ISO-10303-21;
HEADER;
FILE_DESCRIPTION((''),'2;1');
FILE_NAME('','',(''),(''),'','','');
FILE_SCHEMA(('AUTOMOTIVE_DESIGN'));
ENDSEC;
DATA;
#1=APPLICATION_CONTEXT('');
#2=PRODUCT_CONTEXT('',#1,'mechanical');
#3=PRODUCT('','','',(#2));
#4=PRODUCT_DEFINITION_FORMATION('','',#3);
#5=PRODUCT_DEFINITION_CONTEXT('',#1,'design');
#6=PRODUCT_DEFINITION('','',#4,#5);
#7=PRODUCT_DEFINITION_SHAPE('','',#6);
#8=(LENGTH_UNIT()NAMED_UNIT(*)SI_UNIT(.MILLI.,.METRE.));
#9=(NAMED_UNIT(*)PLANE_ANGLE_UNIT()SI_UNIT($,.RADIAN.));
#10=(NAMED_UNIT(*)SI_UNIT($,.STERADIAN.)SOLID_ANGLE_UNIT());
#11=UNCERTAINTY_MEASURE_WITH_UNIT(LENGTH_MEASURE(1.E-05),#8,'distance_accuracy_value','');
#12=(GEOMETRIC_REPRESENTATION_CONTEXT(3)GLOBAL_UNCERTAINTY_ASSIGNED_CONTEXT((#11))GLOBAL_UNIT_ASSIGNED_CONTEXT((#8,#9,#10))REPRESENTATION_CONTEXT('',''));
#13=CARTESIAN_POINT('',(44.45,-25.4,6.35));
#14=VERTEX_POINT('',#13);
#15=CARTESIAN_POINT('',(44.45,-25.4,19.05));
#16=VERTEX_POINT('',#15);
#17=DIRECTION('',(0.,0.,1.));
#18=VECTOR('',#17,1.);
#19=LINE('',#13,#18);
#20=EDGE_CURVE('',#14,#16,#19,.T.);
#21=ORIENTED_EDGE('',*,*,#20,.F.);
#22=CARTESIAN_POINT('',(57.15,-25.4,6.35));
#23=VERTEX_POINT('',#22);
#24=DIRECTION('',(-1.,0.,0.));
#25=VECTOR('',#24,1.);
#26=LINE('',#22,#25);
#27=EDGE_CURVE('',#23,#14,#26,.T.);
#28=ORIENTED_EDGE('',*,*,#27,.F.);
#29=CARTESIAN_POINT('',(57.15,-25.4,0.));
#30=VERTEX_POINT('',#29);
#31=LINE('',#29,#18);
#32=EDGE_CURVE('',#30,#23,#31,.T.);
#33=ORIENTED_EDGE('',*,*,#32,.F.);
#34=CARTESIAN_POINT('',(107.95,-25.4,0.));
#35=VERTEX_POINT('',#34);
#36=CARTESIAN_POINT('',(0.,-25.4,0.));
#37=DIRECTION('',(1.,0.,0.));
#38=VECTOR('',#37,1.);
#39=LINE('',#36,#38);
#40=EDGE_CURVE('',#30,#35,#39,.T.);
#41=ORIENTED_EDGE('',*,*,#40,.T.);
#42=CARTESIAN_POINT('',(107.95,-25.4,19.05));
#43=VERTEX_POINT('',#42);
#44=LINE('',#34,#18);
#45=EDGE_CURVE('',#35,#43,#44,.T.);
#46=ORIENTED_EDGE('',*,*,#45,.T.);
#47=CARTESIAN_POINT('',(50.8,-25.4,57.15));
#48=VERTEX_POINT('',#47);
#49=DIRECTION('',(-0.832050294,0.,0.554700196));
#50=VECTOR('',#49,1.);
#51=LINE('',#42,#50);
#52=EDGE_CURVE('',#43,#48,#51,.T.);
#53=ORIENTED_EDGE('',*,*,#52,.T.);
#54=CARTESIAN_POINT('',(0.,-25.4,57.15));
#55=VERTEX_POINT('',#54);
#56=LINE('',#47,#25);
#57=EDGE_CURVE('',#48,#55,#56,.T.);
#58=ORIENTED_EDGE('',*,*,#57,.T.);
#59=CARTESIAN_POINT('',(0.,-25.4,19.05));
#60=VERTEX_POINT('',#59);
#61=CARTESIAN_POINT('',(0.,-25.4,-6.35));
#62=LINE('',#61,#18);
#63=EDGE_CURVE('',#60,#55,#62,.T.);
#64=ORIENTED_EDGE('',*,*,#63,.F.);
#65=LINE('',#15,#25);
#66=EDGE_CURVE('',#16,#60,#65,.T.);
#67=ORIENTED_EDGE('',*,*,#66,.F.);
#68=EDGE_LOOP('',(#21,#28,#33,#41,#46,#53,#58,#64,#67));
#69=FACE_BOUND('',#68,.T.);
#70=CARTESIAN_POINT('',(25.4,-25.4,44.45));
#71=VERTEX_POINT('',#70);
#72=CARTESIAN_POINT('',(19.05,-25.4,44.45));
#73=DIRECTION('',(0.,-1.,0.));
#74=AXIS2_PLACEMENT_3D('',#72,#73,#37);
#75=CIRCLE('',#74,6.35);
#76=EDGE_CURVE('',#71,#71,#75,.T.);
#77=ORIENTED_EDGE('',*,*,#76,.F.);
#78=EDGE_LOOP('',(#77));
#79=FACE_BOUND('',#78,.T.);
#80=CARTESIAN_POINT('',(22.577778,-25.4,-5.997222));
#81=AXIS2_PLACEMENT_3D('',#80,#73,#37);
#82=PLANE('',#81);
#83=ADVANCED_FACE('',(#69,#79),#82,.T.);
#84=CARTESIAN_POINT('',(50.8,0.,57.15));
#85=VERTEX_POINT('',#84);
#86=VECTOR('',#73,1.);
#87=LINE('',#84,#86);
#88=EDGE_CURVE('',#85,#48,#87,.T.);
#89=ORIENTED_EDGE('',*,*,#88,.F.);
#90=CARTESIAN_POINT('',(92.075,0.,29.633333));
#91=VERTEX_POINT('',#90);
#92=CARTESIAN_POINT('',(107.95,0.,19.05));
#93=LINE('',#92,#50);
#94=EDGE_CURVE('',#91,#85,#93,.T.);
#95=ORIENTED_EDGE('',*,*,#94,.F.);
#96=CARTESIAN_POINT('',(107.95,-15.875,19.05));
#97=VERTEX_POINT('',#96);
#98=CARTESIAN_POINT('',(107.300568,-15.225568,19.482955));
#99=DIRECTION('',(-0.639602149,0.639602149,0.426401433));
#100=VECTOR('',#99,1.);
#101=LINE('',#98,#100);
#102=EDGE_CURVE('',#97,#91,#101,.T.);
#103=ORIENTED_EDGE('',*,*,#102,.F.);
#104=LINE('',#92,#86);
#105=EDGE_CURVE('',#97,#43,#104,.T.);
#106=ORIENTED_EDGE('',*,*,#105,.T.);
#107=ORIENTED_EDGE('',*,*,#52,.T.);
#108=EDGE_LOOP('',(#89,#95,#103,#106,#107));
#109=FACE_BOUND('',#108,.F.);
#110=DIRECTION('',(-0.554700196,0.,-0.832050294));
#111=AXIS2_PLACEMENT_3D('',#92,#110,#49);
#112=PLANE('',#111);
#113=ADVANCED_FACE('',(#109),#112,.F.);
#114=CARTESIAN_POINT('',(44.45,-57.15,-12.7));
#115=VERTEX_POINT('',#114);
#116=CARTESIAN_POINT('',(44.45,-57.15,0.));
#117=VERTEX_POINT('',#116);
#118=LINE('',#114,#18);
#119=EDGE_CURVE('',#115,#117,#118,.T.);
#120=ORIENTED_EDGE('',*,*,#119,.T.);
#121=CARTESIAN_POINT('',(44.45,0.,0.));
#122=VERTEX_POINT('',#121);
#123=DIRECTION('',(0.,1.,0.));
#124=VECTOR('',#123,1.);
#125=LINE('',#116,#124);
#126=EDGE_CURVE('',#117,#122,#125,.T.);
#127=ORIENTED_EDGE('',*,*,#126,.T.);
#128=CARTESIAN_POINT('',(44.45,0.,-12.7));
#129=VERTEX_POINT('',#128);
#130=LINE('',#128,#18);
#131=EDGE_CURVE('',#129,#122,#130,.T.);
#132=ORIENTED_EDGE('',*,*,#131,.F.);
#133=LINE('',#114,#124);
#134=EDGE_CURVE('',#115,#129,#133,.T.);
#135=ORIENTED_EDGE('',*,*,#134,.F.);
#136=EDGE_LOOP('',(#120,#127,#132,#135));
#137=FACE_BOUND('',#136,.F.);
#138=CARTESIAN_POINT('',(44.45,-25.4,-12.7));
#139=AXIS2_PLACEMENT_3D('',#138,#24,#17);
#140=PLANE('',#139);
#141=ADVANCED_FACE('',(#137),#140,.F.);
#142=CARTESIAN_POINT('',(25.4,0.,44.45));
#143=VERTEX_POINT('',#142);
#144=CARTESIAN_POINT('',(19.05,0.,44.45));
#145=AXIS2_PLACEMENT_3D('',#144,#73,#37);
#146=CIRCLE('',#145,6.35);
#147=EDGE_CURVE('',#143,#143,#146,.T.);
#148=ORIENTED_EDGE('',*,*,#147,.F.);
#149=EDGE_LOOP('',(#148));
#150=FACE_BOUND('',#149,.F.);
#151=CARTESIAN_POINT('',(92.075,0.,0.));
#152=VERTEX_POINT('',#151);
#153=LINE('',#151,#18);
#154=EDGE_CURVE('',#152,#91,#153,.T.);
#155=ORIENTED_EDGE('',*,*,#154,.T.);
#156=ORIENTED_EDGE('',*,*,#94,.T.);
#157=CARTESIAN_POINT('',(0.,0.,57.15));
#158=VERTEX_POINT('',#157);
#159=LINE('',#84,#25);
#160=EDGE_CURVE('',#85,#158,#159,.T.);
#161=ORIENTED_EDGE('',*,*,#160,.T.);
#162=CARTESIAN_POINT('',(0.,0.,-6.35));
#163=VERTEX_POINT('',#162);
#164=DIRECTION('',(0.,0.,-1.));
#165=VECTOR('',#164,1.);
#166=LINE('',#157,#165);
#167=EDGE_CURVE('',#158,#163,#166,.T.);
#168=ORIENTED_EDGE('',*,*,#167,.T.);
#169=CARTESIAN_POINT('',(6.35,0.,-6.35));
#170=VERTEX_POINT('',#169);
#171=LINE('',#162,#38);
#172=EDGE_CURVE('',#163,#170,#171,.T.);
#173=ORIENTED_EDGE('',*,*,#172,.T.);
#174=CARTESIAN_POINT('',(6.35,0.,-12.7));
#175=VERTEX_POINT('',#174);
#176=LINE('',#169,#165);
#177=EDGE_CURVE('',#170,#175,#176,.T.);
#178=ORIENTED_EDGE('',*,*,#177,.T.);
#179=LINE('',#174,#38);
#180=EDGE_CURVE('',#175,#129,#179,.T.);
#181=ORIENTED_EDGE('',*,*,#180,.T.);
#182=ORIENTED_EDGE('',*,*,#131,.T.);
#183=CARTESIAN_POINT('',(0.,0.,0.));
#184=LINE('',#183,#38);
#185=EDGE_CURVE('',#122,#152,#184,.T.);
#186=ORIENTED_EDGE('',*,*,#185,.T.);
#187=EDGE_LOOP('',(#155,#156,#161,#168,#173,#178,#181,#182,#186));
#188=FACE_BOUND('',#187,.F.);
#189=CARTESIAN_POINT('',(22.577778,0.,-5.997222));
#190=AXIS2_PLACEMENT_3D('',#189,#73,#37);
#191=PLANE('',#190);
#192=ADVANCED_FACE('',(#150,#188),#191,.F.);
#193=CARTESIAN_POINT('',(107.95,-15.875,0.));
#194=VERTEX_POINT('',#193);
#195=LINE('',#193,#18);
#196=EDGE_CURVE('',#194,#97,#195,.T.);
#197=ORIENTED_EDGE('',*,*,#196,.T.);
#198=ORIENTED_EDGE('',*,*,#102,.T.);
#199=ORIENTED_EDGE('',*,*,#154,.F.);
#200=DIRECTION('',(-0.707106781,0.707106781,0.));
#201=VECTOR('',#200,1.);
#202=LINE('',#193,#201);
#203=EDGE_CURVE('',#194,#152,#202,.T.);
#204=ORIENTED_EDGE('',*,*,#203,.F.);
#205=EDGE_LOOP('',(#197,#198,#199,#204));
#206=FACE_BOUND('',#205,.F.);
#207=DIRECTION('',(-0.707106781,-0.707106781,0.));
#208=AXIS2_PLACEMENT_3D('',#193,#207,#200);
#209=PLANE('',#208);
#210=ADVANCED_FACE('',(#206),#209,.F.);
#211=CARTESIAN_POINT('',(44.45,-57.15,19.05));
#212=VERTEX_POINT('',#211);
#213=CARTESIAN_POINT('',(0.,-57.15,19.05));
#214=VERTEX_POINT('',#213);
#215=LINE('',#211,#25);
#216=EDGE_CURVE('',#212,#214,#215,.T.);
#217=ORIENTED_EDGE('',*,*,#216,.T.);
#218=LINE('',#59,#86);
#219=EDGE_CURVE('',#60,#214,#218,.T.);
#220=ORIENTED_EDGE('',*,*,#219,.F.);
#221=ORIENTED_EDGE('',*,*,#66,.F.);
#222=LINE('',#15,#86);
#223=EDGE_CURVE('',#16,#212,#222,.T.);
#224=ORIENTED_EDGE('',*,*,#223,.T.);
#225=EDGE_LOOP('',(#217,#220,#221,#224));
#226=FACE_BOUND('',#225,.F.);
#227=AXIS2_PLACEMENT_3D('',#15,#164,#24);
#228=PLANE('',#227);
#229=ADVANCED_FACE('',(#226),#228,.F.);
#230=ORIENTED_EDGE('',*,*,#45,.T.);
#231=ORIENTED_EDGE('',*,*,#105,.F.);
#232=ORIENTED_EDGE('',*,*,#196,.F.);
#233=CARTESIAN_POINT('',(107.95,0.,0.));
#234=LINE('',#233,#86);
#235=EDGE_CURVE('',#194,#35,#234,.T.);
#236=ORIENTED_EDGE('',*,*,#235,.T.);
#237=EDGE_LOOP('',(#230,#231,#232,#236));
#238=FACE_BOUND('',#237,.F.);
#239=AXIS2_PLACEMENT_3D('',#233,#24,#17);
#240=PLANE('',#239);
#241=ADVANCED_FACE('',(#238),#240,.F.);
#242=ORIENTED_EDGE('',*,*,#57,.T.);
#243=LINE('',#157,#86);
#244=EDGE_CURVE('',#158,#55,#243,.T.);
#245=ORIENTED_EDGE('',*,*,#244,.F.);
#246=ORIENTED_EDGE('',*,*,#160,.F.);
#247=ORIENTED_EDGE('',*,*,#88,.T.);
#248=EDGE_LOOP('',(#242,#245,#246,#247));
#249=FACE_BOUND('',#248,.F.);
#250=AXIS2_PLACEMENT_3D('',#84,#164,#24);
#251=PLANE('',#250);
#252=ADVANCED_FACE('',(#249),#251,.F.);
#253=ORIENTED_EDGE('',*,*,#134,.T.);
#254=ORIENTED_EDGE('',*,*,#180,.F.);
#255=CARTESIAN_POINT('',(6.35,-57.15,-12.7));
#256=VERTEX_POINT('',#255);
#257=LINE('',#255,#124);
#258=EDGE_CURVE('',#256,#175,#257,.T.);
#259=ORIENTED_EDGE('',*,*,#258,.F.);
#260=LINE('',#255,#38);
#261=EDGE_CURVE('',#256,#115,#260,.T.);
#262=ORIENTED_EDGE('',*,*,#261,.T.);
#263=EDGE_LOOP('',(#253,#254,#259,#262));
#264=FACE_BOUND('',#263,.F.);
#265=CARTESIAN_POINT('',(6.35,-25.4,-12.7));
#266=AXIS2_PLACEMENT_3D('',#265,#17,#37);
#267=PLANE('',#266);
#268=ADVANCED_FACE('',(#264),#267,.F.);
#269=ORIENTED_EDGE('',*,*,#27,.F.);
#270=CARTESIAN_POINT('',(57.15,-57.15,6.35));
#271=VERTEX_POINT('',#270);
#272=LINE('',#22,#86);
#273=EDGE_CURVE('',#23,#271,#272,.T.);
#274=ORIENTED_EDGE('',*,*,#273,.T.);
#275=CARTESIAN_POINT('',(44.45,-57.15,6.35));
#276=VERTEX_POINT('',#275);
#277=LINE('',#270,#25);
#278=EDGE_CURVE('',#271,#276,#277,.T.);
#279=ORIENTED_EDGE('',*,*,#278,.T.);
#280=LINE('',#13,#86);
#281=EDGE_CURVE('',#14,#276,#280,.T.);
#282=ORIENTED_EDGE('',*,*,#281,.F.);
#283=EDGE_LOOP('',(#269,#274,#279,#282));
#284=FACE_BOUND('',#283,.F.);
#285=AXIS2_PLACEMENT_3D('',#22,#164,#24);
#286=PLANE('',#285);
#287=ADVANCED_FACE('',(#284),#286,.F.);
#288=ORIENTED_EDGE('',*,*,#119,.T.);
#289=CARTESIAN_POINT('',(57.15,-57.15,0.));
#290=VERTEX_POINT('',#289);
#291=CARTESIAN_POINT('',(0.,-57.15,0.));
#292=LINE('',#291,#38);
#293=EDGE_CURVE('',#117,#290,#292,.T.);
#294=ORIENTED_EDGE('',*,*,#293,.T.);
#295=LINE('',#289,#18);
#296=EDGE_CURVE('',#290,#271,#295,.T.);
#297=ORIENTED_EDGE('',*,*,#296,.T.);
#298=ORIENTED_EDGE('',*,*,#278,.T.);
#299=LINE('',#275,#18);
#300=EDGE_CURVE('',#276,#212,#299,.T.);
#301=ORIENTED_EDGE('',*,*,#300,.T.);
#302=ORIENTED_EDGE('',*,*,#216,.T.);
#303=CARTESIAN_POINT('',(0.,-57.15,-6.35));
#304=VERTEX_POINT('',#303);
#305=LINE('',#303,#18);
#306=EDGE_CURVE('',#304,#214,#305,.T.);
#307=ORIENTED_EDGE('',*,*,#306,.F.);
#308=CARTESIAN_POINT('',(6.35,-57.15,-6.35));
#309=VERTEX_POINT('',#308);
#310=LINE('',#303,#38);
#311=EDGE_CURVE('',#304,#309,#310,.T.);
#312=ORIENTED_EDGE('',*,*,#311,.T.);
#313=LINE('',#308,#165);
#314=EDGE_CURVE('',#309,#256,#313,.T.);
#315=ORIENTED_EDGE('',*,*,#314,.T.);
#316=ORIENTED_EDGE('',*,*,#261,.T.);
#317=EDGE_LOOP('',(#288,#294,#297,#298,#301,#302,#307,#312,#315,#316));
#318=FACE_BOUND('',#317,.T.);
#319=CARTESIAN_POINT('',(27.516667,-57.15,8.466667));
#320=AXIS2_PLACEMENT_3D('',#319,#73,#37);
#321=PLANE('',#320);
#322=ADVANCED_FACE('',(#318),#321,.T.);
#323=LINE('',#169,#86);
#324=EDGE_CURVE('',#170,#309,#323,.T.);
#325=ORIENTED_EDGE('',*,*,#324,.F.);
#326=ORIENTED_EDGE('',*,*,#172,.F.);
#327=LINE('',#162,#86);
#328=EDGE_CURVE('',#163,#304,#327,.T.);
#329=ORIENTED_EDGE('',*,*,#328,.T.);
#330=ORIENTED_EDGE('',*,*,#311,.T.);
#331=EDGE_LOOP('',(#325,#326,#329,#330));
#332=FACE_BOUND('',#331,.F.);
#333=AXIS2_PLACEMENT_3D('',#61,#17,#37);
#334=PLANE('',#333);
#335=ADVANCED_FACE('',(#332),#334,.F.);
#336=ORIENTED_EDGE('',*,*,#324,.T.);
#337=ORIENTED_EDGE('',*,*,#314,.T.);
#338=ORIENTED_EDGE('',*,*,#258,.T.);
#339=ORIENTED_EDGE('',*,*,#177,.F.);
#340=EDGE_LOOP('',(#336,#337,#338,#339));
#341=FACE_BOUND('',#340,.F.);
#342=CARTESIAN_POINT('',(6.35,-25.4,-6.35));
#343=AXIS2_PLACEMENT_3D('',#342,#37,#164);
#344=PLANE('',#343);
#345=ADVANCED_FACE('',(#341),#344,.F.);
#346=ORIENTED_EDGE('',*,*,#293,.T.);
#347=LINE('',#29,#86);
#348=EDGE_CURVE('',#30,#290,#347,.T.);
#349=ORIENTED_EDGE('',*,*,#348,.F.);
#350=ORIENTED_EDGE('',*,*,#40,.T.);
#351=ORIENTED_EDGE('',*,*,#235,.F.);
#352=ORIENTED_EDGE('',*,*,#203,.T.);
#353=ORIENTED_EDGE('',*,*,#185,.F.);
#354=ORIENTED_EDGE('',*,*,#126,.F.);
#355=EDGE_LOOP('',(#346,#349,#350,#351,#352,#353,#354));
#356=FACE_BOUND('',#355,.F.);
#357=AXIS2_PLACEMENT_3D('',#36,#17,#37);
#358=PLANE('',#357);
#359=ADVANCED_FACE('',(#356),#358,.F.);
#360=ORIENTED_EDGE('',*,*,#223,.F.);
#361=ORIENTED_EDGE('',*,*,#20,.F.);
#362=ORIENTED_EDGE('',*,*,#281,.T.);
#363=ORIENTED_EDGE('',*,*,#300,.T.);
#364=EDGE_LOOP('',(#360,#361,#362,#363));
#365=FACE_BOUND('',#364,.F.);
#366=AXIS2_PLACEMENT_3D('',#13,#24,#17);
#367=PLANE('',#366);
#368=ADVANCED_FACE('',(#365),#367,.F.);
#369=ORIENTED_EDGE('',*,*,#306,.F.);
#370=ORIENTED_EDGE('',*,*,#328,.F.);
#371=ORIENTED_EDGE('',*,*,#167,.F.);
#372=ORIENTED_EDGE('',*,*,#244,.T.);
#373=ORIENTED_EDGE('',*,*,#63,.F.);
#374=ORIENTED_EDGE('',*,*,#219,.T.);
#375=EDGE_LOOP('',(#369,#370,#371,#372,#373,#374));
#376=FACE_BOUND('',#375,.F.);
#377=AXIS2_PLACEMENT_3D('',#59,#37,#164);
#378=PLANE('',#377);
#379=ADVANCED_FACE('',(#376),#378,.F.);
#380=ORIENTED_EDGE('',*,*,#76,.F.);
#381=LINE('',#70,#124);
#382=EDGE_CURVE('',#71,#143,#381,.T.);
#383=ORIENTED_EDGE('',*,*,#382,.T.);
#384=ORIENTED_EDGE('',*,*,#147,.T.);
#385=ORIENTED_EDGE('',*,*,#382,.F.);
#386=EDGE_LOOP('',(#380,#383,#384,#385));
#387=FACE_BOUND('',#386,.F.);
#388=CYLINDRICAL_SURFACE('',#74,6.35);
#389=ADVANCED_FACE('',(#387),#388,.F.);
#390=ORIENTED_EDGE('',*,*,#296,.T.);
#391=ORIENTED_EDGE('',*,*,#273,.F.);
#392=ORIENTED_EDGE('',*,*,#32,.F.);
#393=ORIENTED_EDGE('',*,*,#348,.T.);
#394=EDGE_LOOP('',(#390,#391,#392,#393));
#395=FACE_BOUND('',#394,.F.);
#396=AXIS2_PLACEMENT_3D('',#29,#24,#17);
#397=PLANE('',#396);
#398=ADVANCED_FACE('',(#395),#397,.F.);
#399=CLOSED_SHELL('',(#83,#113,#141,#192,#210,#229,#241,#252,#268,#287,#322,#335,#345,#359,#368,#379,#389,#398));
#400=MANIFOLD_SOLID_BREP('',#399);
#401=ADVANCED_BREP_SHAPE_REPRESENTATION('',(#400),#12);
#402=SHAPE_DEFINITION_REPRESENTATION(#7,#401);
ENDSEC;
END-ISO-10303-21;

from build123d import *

# Parameters (mm, degrees)
F1_DEPTH      = 25.4
F3_DEPTH      = 25.4
F3_DEPTH_BACK = 31.75
F4_DEPTH      = 31.75
F5_R          = 6.35
F6_DEPTH      = 25.401
F8_DEPTH      = 57.151


with BuildPart() as f1:
    # F0 (on Front) → F1 (new body)
    with BuildSketch(Plane.XZ):
        Polygon((0, 57.15), (0, 0), (107.95, 0), (107.95, 19.05), (50.8, 57.15), align=None)
    extrude(amount=F1_DEPTH)

    # F2 (on face) → F3 (join, two sides)
    with BuildSketch(Plane.XZ.offset(25.4)) as f3_sk:
        Polygon((44.45, 0), (0, 0), (0, -6.35), (6.35, -6.35), (6.35, -12.7), (44.45, -12.7), align=None)
    extrude(amount=-F3_DEPTH)
    extrude(f3_sk.sketch, amount=F3_DEPTH_BACK)

    # F2 (on face) → F4 (join)
    with BuildSketch(Plane.XZ.offset(25.4)):
        Polygon((0, 19.05), (0, 0), (44.45, 0), (57.15, 0), (57.15, 6.35), (44.45, 6.35), (44.45, 19.05), align=None)
    extrude(amount=F4_DEPTH)

    # F5 (on face) → F6 (cut, through all)
    with BuildSketch(Plane.XZ.offset(25.4)):
        with Locations((19.05, 44.45)):
            Circle(F5_R)
    extrude(amount=-F6_DEPTH, mode=Mode.SUBTRACT)

    # F7 (on face) → F8 (cut, through all)
    with BuildSketch(Plane(origin=(0, 0, 0), x_dir=(1, 0, 0), z_dir=(0, 0, -1))):
        Polygon((107.95, 0), (107.95, 15.875), (92.075, 0), align=None)
    extrude(amount=-F8_DEPTH, mode=Mode.SUBTRACT)


solid = f1.part
